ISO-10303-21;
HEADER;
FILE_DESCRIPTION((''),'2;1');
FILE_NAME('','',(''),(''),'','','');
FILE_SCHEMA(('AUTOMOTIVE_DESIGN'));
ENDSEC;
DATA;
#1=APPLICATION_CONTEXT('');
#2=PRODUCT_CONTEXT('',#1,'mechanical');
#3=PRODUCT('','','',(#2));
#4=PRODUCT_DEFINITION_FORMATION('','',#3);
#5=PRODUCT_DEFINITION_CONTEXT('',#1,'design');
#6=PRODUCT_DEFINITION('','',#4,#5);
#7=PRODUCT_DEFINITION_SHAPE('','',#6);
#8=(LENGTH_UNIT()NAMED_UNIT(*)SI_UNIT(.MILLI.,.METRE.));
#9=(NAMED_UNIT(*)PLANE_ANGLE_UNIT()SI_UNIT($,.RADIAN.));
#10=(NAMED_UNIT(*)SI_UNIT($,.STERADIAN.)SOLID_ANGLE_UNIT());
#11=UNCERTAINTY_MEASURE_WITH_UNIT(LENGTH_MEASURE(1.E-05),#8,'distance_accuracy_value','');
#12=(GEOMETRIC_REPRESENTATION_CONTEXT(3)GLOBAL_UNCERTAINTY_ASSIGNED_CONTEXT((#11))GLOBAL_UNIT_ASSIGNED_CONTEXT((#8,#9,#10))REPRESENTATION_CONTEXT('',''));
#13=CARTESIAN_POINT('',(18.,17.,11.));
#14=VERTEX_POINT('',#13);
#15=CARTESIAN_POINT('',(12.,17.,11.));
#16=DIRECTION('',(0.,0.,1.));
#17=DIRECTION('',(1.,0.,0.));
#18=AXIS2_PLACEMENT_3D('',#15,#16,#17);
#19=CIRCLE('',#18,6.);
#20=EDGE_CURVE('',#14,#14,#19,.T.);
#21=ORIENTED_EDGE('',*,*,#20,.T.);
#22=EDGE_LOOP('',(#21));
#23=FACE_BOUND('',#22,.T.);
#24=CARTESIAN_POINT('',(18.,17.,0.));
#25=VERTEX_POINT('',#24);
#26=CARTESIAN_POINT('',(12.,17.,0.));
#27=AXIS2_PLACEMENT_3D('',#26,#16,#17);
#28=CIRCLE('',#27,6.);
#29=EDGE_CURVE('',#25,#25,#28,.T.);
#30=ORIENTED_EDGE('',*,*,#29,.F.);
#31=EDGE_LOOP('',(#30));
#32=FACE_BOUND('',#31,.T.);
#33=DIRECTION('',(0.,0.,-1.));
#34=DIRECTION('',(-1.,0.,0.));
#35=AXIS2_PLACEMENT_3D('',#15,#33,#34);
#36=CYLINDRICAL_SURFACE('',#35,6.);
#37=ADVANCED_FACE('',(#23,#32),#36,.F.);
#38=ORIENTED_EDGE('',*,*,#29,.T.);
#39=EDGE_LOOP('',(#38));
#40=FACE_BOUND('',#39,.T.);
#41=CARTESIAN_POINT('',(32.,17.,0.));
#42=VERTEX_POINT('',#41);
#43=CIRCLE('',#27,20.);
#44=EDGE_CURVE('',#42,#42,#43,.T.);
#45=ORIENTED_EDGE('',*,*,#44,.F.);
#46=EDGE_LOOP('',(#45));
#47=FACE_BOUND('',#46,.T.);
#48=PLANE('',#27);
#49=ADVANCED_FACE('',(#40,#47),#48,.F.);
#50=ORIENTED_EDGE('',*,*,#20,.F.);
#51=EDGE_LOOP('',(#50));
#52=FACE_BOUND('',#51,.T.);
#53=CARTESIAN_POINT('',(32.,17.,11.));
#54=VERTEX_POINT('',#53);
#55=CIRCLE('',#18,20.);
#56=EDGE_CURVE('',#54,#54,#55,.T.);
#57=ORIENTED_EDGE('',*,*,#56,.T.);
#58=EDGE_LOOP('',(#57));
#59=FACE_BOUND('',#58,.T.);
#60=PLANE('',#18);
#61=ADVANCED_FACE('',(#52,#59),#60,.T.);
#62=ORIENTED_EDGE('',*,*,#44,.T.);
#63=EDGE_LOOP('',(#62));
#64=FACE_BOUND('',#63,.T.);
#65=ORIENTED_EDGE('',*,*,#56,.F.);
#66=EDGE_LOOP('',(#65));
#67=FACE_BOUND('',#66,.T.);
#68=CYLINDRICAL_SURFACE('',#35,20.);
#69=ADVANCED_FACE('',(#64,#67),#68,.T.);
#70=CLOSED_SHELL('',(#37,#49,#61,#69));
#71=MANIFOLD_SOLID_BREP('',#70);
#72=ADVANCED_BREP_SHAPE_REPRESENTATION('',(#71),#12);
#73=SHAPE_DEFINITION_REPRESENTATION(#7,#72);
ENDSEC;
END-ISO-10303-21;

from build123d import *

# Parameters (mm, degrees)
SKETCH1_R           = 20
SKETCH1_R_2         = 6
BOSS_EXTRUDE1_DEPTH = 11


with BuildPart() as part:
    # Sketch1 → Boss-Extrude1 (new body)
    with BuildSketch(Plane.XY):
        with Locations((12, 17)):
            Circle(SKETCH1_R)
        with Locations((12, 17)):
            Circle(SKETCH1_R_2, mode=Mode.SUBTRACT)
    extrude(amount=BOSS_EXTRUDE1_DEPTH)


solid = part.part
